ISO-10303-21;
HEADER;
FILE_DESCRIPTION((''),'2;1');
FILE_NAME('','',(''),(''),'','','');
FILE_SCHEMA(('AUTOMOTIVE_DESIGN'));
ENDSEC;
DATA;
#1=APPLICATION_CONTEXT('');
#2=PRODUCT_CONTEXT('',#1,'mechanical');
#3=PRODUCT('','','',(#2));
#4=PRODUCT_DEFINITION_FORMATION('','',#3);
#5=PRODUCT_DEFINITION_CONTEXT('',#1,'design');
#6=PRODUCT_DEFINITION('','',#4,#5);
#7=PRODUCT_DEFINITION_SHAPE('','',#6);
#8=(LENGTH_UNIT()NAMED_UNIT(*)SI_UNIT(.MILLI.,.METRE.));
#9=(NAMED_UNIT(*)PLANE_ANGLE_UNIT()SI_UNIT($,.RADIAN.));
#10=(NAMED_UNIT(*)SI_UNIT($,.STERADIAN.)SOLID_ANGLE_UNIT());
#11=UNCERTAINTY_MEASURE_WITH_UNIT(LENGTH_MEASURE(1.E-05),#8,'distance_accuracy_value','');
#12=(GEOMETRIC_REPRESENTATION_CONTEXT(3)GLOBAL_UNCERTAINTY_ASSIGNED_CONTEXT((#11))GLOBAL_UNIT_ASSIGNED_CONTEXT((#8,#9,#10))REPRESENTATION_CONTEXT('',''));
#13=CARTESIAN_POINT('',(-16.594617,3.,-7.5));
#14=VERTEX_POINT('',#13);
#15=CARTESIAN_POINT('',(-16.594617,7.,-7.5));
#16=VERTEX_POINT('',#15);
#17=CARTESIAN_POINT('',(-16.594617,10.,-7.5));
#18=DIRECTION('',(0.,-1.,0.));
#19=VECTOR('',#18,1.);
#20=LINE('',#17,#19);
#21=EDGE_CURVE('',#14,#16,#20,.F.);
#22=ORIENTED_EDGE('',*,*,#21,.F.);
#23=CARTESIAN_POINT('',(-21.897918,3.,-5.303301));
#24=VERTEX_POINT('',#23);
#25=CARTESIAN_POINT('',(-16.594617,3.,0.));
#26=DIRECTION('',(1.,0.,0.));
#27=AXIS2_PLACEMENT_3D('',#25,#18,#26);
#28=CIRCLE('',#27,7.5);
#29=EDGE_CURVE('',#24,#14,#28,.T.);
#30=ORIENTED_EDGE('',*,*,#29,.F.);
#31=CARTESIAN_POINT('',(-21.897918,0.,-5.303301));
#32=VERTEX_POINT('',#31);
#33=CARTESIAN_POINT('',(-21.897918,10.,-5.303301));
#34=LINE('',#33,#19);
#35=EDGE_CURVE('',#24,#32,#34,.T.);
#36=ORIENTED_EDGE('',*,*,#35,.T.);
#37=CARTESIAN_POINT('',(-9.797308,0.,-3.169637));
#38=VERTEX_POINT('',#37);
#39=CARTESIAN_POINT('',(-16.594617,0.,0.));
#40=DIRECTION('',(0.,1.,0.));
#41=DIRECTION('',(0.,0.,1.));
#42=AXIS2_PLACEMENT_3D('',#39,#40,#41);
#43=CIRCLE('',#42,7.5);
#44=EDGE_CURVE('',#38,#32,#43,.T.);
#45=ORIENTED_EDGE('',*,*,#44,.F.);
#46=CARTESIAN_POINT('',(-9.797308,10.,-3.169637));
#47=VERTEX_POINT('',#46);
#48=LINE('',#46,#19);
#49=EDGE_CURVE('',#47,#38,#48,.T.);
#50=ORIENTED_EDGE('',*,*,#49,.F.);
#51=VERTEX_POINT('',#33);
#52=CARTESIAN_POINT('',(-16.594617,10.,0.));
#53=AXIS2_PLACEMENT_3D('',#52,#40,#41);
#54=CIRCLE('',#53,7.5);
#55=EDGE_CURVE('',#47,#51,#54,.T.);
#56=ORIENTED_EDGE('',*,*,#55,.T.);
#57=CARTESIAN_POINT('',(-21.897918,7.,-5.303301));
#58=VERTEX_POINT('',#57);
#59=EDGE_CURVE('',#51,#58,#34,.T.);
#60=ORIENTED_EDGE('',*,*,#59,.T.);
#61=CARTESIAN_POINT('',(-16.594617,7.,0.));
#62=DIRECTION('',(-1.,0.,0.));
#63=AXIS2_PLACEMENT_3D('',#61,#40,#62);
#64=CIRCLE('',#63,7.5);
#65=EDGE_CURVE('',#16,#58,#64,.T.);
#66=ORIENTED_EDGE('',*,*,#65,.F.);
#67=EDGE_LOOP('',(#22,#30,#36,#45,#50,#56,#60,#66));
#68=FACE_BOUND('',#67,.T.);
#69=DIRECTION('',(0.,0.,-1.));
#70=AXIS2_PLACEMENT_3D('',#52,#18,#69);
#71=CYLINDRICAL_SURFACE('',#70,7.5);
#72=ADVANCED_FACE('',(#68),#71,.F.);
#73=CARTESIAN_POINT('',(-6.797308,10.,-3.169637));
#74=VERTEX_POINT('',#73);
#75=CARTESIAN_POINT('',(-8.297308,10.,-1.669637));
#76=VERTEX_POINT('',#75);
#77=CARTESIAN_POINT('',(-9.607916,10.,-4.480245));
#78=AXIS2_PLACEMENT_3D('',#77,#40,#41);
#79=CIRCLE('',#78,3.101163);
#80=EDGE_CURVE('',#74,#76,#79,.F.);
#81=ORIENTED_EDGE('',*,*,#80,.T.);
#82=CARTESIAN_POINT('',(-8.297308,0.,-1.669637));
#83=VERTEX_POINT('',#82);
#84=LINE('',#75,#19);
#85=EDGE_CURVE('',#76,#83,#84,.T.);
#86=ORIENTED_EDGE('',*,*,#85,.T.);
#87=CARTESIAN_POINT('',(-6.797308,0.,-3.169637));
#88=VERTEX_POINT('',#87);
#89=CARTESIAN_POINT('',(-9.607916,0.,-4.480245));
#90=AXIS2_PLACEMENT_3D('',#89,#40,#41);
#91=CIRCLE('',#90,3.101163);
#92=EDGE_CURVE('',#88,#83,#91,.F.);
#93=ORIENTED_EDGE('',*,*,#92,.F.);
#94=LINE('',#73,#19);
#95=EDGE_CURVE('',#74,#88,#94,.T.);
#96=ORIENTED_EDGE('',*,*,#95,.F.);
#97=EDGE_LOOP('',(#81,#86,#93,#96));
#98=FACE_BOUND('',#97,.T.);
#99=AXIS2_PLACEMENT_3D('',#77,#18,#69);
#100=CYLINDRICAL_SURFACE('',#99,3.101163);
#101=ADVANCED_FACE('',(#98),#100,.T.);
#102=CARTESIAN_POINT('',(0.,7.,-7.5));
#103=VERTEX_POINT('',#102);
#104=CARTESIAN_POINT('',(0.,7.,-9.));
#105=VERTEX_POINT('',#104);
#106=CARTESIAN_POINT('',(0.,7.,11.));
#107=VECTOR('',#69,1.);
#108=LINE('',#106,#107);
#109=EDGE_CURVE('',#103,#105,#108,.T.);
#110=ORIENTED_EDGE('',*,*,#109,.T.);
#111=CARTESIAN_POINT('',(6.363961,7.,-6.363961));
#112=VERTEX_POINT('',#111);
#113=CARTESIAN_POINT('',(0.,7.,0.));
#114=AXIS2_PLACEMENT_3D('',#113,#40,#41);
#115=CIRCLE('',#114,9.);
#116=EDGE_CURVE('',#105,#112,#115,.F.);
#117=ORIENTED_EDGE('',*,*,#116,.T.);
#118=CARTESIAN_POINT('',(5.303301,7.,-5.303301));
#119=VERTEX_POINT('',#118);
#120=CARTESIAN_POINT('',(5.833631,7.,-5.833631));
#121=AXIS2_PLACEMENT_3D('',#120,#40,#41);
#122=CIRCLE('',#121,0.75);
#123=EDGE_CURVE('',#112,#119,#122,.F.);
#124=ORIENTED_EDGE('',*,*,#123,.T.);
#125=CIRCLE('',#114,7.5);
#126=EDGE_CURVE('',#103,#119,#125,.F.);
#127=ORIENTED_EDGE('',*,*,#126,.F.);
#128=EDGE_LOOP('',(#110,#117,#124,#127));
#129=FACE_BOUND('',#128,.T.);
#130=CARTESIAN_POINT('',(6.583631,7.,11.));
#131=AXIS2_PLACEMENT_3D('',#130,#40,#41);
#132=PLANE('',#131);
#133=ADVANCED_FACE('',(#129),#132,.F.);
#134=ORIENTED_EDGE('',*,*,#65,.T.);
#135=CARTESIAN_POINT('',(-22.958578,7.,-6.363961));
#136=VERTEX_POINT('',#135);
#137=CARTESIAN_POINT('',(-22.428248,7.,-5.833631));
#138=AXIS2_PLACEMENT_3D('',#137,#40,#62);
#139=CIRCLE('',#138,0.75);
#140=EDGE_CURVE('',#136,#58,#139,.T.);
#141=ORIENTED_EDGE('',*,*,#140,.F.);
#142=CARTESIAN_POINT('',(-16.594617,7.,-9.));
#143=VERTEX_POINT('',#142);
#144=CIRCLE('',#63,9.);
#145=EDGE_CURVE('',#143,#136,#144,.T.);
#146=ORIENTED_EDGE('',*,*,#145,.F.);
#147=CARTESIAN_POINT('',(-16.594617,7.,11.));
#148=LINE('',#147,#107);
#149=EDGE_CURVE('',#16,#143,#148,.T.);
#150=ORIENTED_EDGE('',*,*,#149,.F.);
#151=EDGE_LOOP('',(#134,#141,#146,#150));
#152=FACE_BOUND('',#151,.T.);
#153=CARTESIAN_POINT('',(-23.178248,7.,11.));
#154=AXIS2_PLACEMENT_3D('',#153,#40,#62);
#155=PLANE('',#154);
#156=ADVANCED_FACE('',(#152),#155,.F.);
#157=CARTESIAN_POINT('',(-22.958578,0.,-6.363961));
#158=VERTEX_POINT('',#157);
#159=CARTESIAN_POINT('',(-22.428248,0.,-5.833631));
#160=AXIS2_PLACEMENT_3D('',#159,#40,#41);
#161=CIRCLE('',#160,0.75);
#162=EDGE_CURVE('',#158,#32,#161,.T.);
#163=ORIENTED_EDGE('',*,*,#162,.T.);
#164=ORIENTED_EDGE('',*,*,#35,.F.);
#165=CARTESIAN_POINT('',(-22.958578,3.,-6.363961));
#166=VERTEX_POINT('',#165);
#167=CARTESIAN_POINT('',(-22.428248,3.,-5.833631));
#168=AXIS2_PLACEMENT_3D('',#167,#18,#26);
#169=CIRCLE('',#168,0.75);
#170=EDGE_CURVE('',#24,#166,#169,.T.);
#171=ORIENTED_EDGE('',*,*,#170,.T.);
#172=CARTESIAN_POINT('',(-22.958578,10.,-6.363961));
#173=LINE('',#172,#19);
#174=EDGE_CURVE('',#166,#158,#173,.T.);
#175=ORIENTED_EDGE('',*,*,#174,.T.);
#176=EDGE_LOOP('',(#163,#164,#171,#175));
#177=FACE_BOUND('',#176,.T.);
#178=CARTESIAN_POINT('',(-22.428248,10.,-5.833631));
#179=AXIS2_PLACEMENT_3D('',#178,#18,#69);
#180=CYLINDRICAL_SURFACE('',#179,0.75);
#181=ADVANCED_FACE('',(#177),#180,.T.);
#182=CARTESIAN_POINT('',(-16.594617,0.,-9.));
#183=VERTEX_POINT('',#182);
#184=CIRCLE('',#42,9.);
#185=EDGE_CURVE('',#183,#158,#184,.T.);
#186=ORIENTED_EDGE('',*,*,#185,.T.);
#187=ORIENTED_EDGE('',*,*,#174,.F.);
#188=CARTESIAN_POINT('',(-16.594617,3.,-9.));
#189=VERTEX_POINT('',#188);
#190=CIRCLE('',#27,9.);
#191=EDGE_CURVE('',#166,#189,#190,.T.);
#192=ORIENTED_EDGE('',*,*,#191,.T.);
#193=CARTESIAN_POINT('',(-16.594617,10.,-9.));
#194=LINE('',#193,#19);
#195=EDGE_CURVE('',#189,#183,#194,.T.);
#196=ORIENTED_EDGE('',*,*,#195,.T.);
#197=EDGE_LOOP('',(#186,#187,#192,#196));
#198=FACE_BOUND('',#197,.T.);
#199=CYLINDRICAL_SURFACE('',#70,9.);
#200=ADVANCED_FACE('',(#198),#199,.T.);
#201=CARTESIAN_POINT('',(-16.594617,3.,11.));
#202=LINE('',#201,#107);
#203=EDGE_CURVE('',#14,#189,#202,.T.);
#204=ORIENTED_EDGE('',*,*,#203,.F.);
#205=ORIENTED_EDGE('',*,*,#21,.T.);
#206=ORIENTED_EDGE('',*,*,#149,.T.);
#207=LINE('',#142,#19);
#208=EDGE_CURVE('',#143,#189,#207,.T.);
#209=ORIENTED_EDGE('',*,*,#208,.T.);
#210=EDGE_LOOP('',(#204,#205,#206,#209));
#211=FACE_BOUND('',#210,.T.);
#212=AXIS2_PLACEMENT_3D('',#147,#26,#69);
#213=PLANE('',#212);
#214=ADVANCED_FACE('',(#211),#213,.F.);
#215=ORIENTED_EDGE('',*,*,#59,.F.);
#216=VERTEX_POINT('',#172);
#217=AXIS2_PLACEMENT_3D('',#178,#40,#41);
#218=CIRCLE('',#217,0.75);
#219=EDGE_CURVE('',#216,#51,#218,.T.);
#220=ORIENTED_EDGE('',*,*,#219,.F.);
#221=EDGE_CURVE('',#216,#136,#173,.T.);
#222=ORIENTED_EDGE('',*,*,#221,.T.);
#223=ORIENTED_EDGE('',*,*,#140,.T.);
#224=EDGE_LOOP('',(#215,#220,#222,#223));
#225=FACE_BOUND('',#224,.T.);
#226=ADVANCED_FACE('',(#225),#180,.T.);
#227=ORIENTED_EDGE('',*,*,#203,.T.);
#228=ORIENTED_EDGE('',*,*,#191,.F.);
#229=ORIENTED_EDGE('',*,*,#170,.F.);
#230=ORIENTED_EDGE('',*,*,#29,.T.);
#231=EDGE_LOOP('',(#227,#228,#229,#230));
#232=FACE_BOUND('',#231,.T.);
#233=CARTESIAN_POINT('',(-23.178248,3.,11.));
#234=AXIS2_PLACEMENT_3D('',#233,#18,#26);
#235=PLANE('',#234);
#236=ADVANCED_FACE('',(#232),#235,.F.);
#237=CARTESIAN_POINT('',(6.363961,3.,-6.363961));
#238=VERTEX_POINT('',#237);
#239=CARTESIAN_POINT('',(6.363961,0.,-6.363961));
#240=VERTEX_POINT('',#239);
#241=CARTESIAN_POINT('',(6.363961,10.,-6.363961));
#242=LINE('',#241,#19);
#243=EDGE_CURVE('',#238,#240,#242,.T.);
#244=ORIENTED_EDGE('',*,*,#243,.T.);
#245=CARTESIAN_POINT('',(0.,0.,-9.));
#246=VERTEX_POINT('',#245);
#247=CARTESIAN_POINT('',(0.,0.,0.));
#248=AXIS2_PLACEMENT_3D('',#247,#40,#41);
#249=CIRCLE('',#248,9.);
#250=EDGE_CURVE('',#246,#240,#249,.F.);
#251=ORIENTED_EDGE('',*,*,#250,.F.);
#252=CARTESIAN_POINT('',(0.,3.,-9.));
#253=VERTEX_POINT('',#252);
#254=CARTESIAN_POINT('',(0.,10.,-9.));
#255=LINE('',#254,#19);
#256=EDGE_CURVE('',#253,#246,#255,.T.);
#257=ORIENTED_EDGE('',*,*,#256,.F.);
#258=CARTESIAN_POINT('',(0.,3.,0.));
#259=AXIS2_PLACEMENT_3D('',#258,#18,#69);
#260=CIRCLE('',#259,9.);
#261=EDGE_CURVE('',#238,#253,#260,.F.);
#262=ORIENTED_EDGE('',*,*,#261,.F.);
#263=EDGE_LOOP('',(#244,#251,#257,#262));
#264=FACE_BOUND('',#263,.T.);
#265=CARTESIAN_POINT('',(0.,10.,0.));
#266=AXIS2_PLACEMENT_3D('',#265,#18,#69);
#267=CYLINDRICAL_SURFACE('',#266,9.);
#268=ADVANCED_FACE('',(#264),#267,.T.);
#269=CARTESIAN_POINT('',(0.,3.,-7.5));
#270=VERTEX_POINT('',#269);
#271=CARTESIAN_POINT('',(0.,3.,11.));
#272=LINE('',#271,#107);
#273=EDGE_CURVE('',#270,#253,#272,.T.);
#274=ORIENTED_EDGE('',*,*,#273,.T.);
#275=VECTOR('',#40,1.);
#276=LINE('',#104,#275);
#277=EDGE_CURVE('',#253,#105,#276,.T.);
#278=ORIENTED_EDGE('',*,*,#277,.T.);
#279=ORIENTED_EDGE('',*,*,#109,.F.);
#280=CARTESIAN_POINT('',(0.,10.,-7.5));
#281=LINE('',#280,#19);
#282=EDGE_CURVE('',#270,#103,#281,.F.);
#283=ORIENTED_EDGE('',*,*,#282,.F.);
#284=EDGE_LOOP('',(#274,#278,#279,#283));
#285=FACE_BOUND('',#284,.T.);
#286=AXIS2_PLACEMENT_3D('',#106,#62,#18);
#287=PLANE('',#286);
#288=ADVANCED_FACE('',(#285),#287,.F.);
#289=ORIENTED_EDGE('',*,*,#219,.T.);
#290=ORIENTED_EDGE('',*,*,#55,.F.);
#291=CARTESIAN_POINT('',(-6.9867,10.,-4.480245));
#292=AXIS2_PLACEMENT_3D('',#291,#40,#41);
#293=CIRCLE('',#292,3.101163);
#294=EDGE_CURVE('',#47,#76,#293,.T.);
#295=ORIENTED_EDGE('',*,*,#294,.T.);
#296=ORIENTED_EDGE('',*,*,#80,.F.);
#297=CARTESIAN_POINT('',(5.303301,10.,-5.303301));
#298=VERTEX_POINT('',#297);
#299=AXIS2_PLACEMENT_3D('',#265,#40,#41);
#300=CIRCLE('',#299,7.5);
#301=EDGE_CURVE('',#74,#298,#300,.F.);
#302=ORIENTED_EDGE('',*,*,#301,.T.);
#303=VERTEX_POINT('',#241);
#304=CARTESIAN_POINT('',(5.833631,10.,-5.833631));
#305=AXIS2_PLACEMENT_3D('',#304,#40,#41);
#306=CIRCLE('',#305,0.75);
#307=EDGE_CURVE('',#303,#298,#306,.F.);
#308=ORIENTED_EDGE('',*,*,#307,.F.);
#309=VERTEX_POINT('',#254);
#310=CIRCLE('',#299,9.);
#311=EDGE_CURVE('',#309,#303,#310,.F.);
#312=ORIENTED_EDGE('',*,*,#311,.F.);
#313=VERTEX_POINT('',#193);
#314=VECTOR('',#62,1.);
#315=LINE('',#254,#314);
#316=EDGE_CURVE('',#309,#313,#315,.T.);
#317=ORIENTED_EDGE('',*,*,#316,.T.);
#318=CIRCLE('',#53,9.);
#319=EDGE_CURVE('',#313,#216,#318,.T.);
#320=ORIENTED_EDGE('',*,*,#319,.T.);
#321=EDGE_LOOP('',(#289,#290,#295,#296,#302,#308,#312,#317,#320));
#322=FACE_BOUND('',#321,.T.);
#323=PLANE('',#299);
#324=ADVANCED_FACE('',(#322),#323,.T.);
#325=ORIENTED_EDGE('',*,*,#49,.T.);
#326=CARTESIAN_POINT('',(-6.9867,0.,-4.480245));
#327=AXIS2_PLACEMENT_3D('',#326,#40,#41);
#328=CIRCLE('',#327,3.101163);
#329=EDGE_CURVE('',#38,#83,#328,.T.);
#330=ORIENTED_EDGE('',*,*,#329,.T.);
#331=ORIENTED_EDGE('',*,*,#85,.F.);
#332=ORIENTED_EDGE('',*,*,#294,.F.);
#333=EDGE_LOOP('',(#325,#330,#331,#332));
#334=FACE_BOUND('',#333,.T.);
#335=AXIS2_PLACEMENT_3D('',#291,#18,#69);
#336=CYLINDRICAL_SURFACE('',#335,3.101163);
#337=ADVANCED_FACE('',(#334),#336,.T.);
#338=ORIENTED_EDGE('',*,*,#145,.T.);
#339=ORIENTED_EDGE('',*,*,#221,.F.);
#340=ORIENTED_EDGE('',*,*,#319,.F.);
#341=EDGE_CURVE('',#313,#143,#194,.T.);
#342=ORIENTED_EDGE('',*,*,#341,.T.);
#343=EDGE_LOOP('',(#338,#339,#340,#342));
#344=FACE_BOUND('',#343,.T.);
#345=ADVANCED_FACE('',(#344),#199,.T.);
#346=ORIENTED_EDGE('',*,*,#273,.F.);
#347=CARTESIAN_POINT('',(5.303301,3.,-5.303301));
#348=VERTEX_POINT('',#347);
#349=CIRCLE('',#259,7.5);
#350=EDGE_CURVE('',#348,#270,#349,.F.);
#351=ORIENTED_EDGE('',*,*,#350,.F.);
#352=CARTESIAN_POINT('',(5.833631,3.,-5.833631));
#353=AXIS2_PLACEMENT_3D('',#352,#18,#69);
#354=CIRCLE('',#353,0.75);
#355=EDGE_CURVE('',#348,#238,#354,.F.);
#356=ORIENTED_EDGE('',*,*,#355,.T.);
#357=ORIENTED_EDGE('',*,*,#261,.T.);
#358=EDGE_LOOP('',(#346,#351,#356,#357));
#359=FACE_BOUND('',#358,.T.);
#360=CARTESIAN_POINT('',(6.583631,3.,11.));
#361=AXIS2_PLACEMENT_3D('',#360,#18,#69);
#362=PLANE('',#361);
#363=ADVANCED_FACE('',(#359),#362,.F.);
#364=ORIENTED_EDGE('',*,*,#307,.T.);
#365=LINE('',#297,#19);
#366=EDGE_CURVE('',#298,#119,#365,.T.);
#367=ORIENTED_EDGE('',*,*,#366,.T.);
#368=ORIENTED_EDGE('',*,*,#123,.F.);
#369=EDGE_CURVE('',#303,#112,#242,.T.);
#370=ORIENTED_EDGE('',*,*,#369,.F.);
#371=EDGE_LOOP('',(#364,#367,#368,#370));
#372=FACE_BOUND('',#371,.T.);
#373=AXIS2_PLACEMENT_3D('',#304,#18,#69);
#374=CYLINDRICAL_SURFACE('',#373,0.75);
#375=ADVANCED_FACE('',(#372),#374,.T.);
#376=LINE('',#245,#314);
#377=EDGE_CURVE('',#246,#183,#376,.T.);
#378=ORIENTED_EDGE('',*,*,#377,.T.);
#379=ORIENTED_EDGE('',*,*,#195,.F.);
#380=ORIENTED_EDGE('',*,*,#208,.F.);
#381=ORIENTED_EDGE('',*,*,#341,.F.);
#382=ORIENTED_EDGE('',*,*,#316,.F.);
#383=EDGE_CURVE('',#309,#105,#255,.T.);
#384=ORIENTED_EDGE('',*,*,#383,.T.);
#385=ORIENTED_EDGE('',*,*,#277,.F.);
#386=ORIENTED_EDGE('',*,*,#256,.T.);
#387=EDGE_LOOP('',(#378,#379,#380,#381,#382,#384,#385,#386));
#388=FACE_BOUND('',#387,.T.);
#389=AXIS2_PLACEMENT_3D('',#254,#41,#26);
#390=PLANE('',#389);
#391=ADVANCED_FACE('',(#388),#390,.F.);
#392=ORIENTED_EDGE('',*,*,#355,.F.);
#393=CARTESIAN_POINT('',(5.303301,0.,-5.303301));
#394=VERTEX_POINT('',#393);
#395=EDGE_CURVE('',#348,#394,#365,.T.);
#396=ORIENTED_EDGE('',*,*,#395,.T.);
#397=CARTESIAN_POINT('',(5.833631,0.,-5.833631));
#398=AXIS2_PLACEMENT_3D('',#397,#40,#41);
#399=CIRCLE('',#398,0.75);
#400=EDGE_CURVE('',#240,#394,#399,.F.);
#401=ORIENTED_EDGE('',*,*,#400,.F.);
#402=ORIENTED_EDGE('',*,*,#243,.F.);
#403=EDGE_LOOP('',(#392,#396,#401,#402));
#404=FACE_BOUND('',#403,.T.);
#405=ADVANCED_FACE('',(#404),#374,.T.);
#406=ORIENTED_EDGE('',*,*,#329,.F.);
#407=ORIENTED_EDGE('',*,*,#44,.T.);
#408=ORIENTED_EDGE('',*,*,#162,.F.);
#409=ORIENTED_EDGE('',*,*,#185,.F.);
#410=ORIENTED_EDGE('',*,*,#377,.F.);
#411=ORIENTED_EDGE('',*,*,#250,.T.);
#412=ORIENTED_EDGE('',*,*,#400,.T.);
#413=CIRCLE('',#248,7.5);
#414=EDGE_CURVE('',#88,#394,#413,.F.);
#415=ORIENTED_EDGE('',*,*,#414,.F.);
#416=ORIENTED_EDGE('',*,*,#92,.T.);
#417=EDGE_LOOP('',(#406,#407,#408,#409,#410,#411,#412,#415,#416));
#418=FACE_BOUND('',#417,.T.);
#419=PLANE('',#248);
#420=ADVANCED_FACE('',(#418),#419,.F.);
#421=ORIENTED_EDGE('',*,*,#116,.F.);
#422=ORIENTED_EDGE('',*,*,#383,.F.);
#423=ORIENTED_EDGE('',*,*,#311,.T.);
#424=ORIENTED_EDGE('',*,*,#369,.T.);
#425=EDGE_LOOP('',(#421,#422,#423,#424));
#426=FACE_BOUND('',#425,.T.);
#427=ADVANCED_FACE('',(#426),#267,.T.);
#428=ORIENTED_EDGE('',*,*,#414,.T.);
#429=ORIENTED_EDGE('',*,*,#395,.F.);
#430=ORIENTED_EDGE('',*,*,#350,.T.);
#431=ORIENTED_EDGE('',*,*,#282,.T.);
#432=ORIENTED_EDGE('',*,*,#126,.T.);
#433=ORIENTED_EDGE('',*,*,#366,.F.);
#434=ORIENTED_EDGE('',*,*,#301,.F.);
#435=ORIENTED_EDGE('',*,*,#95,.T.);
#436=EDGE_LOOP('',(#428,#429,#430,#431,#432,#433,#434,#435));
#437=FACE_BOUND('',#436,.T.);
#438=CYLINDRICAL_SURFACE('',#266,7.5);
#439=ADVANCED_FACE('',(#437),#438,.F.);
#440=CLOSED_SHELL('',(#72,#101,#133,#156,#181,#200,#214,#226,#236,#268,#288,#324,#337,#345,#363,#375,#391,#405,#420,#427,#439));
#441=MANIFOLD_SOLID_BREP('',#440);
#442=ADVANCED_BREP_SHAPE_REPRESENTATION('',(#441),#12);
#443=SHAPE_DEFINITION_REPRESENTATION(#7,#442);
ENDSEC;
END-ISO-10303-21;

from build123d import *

# Parameters (mm, degrees)
BOSS_EXTRUDE2_DEPTH = 10
SKETCH2_W           = 6.583630945
SKETCH2_H           = 4
SKETCH2_W_2         = 6.583630944
CUT_EXTRUDE1_DEPTH  = 20


with BuildPart() as part:
    # Sketch1 → Boss-Extrude2 (new body)
    with BuildSketch(Plane(origin=(0, 0, 0), x_dir=(1, 0, 0), z_dir=(0, 1, 0))):
        with BuildLine():
            ThreePointArc((-9.797308403, 3.169636963), (-15.292255473, 7.386058148), (-21.897917664, 5.303300859))
            ThreePointArc((-21.897917664, 5.303300859), (-22.958577836, 5.303300859), (-22.958577836, 6.363961031))
            ThreePointArc((-22.958577836, 6.363961031), (-20.038767697, 8.314915793), (-16.594616806, 9))
            Line((-16.594616806, 9), (0, 9))
            ThreePointArc((0, 9), (3.444150891, 8.314915793), (6.363961031, 6.363961031))
            ThreePointArc((6.363961031, 6.363961031), (6.363961031, 5.303300859), (5.303300859, 5.303300859))
            ThreePointArc((5.303300859, 5.303300859), (-1.302361333, 7.386058148), (-6.797308403, 3.169636963))
            ThreePointArc((-6.797308403, 3.169636963), (-7.415063167, 2.287391728), (-8.297308403, 1.669636963))
            ThreePointArc((-8.297308403, 1.669636963), (-9.179553638, 2.287391728), (-9.797308403, 3.169636963))
        make_face()
    extrude(amount=BOSS_EXTRUDE2_DEPTH)

    # Sketch2 → Cut-Extrude1 (cut)
    with BuildSketch(Plane(origin=(0, 0, -9), x_dir=(-1, 0, 0), z_dir=(0, 0, -1))):
        with Locations((-3.291815473, 5)):
            Rectangle(SKETCH2_W, SKETCH2_H)
        with Locations((19.886432278, 5)):
            Rectangle(SKETCH2_W_2, SKETCH2_H)
    extrude(amount=-CUT_EXTRUDE1_DEPTH, mode=Mode.SUBTRACT)


solid = part.part
